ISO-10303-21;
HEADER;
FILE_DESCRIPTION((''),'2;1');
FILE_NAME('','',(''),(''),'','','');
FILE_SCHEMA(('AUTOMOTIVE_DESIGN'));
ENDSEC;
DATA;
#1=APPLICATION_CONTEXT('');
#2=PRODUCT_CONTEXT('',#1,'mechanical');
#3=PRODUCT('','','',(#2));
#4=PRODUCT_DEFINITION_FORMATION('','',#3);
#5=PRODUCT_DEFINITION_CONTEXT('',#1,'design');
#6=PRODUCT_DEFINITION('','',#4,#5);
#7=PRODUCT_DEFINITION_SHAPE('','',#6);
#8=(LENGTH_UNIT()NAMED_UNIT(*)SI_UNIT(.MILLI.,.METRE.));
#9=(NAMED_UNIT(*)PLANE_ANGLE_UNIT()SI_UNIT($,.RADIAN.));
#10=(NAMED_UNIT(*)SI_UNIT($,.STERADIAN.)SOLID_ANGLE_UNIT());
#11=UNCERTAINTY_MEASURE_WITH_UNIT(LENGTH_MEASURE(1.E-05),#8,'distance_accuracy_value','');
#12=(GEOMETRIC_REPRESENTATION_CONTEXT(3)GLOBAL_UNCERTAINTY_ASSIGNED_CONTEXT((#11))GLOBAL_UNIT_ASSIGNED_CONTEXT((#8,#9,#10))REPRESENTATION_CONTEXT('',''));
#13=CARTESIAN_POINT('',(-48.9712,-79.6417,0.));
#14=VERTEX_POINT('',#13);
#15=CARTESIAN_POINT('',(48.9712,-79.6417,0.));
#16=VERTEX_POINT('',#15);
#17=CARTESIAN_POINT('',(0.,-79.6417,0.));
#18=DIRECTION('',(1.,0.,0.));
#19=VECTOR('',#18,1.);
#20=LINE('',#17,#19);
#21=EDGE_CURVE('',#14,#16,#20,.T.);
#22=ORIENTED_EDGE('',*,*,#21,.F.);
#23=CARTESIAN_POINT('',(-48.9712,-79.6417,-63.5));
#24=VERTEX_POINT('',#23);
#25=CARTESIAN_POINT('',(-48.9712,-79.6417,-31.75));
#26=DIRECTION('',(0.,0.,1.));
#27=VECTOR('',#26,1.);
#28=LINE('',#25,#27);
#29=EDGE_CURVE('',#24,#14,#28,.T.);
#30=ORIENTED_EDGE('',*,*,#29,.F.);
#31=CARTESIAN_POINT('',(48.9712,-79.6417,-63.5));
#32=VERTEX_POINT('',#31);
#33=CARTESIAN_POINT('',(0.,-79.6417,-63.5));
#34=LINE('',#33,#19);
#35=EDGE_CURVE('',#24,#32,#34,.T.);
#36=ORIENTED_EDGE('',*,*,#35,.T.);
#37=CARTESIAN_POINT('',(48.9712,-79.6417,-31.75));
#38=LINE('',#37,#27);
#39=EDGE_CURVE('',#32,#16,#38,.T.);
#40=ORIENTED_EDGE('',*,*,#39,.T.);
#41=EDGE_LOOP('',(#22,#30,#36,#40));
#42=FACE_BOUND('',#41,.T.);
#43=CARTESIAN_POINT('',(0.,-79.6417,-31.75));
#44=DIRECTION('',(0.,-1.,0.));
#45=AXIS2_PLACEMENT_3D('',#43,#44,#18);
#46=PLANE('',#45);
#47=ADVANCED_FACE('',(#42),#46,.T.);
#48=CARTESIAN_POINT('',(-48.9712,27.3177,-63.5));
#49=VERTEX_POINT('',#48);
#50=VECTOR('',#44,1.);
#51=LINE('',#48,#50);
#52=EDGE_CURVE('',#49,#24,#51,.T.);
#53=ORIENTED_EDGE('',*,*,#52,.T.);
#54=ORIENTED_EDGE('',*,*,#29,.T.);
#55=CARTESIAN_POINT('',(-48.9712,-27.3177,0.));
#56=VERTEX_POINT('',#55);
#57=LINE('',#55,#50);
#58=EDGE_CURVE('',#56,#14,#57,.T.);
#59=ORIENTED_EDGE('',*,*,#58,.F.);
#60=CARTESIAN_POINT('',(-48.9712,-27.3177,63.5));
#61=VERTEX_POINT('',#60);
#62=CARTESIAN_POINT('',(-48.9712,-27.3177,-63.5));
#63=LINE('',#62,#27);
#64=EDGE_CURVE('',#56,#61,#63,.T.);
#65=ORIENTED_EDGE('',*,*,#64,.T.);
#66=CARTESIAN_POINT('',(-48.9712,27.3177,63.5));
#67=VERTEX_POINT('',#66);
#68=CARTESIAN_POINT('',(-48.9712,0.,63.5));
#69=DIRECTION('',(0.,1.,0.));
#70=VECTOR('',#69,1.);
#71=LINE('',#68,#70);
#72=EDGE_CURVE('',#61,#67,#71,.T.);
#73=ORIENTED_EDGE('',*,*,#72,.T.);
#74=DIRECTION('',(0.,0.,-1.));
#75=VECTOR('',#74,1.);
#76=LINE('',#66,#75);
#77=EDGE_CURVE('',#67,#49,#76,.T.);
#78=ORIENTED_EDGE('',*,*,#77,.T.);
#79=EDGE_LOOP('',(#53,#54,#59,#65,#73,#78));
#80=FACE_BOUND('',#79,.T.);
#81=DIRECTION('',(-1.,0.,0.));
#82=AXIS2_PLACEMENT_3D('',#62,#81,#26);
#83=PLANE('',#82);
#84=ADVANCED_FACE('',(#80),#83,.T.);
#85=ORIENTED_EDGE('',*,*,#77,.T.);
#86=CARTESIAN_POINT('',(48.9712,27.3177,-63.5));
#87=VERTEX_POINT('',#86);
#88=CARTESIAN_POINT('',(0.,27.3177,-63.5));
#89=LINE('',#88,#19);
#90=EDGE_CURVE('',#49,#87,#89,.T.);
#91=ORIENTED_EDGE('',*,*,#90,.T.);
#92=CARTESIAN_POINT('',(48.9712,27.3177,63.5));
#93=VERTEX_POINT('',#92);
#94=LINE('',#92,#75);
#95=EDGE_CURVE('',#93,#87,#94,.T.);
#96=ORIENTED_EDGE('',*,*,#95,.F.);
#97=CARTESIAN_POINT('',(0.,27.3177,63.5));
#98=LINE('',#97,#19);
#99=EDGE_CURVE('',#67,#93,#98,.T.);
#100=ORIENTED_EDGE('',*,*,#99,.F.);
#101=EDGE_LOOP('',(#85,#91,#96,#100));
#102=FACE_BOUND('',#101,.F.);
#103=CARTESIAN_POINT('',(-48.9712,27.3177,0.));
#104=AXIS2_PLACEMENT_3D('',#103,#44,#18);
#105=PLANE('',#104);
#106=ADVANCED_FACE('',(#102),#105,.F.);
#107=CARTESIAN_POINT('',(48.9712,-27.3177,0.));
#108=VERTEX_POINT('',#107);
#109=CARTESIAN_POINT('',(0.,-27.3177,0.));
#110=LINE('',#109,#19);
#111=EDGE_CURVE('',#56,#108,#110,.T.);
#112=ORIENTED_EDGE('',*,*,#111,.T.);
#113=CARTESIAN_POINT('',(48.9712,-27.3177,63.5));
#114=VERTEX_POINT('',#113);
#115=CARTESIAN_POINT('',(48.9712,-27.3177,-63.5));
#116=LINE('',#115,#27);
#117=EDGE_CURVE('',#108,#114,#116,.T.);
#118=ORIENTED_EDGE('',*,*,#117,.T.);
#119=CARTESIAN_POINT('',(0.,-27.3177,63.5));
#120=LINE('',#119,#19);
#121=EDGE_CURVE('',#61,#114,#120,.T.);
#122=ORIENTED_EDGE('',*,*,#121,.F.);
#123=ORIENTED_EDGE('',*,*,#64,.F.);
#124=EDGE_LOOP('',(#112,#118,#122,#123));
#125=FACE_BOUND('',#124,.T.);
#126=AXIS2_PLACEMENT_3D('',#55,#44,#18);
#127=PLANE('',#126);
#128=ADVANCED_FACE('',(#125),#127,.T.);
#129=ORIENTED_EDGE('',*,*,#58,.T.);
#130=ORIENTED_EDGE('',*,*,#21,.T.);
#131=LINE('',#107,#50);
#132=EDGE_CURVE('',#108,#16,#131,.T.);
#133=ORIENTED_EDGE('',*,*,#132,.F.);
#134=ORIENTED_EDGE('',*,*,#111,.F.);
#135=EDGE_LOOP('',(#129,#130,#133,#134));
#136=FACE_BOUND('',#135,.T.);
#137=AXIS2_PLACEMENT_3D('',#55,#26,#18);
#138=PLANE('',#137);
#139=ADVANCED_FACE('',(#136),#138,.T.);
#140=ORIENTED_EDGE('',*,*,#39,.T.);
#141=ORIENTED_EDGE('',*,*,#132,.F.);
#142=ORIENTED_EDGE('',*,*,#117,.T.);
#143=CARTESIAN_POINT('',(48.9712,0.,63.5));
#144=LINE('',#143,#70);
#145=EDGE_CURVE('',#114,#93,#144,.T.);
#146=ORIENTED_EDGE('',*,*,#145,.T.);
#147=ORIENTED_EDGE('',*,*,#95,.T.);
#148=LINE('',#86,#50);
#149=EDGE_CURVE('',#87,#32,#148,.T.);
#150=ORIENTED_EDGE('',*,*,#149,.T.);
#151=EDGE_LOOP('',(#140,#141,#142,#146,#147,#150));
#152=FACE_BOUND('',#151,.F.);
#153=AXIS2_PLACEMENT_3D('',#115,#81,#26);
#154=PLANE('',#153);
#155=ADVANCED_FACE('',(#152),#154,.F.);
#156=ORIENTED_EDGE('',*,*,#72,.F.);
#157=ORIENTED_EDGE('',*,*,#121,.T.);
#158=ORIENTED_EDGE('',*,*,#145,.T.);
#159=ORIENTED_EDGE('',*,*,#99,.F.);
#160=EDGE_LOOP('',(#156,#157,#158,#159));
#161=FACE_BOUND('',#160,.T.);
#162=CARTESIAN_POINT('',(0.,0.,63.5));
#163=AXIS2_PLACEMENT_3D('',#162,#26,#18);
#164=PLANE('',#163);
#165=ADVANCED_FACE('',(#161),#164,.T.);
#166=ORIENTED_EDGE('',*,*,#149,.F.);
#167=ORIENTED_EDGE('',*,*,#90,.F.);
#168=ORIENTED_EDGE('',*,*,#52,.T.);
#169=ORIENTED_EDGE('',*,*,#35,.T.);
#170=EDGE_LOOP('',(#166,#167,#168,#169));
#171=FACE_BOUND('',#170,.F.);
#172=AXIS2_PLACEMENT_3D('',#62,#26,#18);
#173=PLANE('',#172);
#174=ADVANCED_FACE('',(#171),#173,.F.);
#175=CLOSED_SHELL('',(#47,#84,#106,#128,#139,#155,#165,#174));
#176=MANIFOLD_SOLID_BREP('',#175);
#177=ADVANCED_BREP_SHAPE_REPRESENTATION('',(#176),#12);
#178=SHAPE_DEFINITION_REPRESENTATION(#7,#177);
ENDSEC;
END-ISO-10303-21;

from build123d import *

# Parameters (mm, degrees)
F0_W     = 97.9424
F0_H     = 54.6354
F1_DEPTH = 63.5
F2_W     = 97.9424
F2_H     = 63.5
F3_DEPTH = 52.324


with BuildPart() as f1:
    # F0 (on Top) → F1 (new body, symmetric)
    with BuildSketch(Plane.XY):
        Rectangle(F0_W, F0_H)
    extrude(amount=F1_DEPTH, both=True)

    # F2 (on face) → F3 (join)
    with BuildSketch(Plane.XZ.offset(27.3177)):
        with Locations((0, -31.75)):
            Rectangle(F2_W, F2_H)
    extrude(amount=F3_DEPTH)


solid = f1.part
